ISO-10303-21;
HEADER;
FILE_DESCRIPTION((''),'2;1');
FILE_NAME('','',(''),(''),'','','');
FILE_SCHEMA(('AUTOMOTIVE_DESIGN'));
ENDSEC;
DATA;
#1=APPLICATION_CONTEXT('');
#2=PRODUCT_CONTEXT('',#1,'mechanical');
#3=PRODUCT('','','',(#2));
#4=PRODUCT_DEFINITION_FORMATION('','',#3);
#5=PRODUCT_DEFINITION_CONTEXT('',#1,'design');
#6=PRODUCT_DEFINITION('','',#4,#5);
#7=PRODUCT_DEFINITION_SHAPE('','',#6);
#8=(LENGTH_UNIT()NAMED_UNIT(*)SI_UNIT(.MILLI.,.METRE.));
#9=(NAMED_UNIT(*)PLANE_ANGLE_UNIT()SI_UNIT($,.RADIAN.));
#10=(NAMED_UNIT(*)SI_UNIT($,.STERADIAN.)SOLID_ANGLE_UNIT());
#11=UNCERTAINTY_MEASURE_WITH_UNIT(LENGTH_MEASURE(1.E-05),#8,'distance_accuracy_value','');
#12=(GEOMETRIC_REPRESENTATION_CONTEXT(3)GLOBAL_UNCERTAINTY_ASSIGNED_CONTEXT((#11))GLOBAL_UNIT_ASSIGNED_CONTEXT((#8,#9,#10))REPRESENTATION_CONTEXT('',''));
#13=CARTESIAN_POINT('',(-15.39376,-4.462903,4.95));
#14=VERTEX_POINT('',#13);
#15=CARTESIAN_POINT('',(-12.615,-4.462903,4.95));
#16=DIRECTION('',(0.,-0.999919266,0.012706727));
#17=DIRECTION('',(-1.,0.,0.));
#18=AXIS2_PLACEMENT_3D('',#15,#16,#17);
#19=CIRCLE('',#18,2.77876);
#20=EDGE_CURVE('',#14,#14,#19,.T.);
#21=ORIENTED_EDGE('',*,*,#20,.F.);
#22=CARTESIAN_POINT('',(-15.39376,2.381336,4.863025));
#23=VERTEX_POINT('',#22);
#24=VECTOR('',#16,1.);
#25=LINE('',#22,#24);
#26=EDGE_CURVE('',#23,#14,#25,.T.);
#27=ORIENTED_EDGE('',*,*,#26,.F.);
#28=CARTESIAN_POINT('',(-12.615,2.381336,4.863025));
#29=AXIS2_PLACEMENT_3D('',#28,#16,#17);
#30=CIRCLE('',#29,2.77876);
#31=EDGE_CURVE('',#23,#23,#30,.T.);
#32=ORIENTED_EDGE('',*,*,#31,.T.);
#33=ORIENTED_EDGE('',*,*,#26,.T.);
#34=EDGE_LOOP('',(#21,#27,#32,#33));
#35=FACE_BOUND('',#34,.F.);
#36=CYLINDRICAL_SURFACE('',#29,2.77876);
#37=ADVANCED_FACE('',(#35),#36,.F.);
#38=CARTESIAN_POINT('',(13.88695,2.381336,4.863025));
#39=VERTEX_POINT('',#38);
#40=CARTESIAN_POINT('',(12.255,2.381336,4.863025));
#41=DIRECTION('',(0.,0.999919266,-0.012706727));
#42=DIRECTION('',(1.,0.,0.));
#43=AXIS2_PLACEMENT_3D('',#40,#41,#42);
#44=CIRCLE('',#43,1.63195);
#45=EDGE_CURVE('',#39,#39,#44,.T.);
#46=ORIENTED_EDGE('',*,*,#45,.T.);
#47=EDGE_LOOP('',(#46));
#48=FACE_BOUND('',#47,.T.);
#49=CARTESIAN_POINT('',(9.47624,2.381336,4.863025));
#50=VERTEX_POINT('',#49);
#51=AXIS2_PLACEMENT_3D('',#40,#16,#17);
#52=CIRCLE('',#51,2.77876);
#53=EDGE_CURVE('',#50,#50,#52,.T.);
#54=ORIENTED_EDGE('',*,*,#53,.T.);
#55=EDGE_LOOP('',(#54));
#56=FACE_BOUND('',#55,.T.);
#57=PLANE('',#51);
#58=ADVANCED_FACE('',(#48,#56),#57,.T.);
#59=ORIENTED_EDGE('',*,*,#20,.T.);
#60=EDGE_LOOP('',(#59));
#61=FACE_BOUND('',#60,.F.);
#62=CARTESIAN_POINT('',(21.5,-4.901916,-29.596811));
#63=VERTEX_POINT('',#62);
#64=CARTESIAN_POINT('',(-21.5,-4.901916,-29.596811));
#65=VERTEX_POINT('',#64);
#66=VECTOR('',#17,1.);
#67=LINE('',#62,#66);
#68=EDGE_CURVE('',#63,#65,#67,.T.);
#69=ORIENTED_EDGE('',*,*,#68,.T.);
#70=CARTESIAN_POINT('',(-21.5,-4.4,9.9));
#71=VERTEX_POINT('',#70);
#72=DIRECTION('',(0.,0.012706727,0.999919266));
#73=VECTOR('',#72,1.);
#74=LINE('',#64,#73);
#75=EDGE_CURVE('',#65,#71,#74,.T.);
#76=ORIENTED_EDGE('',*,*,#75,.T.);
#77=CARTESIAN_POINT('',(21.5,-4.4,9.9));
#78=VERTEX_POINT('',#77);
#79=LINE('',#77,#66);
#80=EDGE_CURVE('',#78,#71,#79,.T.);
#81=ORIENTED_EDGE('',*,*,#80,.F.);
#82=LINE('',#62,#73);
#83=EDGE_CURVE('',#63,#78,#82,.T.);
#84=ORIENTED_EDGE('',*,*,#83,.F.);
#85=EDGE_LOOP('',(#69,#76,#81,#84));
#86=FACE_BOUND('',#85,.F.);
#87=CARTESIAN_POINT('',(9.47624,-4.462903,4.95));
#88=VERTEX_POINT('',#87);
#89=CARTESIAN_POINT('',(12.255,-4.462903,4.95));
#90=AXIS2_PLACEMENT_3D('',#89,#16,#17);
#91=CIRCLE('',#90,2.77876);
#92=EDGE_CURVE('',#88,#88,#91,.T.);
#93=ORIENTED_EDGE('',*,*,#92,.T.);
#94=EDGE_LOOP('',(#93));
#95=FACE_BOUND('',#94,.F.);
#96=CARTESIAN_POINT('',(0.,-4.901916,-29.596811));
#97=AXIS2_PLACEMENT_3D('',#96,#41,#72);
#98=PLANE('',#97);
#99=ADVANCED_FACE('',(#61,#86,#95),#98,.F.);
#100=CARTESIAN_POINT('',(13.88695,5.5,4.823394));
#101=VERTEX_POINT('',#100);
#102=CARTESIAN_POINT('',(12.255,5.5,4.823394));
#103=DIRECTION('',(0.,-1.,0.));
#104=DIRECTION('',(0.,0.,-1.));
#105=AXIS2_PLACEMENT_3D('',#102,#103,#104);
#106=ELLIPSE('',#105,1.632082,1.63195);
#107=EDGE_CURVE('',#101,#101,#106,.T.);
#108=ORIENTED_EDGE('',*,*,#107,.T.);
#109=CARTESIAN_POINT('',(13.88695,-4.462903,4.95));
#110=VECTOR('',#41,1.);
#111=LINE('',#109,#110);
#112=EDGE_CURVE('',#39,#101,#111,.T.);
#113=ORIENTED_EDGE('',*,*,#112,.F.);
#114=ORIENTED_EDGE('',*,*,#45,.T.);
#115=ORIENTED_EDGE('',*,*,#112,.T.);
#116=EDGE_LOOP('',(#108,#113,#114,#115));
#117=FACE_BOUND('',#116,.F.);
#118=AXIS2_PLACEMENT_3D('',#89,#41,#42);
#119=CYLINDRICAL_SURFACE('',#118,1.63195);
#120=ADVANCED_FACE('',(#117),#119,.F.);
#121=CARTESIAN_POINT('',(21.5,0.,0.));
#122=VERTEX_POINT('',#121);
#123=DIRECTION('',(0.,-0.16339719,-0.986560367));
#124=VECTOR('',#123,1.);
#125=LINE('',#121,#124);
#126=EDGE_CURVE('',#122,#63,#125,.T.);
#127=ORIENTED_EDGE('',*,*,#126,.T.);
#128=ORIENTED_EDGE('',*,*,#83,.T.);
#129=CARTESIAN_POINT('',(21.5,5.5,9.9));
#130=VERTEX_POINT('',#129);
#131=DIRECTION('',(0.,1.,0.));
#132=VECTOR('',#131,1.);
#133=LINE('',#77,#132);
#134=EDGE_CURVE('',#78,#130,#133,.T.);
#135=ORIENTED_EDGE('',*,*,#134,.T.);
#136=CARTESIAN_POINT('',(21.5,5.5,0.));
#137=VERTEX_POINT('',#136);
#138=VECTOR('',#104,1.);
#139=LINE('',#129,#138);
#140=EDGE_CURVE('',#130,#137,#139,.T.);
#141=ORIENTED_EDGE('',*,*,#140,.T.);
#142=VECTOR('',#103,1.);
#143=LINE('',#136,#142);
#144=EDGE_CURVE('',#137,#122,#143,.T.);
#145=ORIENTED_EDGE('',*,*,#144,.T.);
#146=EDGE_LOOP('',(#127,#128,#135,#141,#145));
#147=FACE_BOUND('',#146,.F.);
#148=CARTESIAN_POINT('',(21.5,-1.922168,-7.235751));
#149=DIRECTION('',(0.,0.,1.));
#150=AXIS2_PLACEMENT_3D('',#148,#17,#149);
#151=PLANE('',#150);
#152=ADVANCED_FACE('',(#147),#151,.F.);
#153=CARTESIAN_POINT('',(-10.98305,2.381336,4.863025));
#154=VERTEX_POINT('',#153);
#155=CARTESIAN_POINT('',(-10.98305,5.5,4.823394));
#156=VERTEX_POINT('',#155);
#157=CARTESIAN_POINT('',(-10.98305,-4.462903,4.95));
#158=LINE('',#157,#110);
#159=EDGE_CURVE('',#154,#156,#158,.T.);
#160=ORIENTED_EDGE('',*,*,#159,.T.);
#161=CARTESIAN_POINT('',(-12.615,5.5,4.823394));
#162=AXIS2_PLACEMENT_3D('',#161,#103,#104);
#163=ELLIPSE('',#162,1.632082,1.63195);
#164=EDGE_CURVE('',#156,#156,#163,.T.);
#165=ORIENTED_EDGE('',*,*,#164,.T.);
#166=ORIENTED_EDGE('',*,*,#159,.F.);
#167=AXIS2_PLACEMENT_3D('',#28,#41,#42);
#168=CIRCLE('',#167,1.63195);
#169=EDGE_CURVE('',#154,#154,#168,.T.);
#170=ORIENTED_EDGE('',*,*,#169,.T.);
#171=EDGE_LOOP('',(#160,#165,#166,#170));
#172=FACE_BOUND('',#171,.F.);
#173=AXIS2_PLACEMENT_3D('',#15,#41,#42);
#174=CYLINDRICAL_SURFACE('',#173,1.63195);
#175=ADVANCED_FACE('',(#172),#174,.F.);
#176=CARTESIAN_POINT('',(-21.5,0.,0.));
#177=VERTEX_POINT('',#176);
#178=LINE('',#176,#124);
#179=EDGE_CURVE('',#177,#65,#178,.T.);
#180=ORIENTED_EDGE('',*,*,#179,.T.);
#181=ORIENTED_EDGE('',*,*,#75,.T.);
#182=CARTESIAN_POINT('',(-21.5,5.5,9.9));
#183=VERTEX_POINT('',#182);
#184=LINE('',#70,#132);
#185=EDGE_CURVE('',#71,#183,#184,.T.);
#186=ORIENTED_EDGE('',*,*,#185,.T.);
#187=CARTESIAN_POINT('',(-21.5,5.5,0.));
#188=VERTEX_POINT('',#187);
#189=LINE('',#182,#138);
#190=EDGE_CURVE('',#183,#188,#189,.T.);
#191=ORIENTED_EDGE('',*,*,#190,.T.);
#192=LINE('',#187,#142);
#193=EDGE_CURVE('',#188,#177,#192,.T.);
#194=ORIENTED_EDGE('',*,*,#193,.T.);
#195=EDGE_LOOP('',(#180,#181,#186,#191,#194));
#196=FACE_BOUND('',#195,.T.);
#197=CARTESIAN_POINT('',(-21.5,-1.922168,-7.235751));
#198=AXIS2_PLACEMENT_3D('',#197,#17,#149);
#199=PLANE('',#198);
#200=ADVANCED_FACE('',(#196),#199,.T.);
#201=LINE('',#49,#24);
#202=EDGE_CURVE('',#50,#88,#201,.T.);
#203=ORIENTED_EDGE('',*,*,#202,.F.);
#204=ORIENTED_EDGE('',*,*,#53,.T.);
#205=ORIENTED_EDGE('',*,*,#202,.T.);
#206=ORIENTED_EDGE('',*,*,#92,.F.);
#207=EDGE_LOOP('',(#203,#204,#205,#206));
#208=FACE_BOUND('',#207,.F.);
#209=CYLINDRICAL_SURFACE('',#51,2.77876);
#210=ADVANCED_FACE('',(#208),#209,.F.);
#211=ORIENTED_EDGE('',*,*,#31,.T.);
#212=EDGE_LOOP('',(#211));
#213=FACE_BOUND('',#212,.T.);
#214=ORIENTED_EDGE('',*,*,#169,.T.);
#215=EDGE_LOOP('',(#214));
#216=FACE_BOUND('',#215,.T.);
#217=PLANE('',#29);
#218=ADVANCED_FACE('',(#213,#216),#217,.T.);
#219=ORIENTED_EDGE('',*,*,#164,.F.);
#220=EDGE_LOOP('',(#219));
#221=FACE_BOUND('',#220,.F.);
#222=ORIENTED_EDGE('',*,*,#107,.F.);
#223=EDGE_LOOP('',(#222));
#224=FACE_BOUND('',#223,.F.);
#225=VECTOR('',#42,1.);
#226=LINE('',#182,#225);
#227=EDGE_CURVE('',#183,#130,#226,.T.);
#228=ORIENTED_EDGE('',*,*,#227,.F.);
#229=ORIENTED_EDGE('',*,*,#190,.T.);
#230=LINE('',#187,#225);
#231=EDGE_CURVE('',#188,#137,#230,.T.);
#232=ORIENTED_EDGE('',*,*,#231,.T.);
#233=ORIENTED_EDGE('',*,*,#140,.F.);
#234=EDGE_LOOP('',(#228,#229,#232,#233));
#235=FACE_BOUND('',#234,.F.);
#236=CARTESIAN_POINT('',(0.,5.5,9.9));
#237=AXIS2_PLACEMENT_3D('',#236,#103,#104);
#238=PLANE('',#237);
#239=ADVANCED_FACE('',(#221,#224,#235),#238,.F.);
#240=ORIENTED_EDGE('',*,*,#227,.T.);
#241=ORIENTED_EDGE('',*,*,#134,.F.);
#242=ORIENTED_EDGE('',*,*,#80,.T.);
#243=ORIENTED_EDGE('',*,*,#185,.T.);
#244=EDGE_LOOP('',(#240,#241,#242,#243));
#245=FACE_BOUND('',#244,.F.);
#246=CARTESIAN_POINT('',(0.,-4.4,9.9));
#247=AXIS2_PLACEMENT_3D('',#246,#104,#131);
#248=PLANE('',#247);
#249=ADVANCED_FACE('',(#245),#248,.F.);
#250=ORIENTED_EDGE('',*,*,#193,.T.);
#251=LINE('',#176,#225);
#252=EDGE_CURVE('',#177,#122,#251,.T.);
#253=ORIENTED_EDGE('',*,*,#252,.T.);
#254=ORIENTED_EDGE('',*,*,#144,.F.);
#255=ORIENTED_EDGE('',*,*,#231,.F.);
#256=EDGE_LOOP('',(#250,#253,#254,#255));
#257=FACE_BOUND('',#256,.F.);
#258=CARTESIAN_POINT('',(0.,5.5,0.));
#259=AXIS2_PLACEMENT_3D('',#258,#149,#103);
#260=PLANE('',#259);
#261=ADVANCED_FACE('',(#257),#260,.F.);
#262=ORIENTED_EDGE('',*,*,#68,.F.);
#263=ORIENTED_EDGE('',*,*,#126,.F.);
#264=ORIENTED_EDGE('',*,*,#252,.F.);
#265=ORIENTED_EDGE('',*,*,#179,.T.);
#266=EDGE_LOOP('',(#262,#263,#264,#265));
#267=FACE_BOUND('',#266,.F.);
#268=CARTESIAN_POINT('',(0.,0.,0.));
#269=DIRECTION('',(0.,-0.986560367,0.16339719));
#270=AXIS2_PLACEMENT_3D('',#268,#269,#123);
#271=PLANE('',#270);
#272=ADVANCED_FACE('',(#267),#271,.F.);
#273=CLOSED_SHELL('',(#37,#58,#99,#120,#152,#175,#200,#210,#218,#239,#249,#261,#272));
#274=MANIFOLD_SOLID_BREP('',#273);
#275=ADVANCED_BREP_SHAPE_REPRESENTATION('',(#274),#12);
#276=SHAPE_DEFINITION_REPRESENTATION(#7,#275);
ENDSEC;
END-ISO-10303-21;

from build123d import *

# Parameters (mm, degrees)
BOSS_EXTRUDE1_DEPTH                            = 21.5
SKETCH4_R                                      = 0.685
CUT_EXTRUDE1_DEPTH                             = 11.401915701
CBORE_FOR_4_SOCKET_HEAD_CAP_SCREW1_D           = 3.2639
CBORE_FOR_4_SOCKET_HEAD_CAP_SCREW1_CBORE_D     = 5.55752
CBORE_FOR_4_SOCKET_HEAD_CAP_SCREW1_CBORE_DEPTH = 6.844792


with BuildPart() as part:
    # Sketch2 → Boss-Extrude1 (new body, symmetric)
    with BuildSketch(Plane(origin=(0, 0, 0), x_dir=(0, 0, -1), z_dir=(1, 0, 0))):
        Polygon((0, 0), (29.596811018, -4.901915701), (-9.9, -4.4), (-9.9, 5.5), (0, 5.5), align=None)
    extrude(amount=BOSS_EXTRUDE1_DEPTH, both=True)

    # Sketch4 → Cut-Extrude1 (cut, through all)
    with BuildSketch(Plane(origin=(0, 5.5, 0), x_dir=(1, 0, 0), z_dir=(0, 1, 0))):
        with Locations((-12.615, -4.95)):
            Circle(SKETCH4_R)
        with Locations((12.255, -4.95)):
            Circle(SKETCH4_R)
    extrude(amount=-CUT_EXTRUDE1_DEPTH, mode=Mode.SUBTRACT)

    # CBORE for #4 Socket Head Cap Screw1 (through all)
    with Locations(Plane(origin=(0, -4.525076009, 0.057503546), x_dir=(-1, 0, 0), z_dir=(0, -0.999919266, 0.012706727))):
        with Locations((12.615, -4.892891475), (-12.255, -4.892891475)):
            CounterBoreHole(CBORE_FOR_4_SOCKET_HEAD_CAP_SCREW1_D / 2, CBORE_FOR_4_SOCKET_HEAD_CAP_SCREW1_CBORE_D / 2, CBORE_FOR_4_SOCKET_HEAD_CAP_SCREW1_CBORE_DEPTH)


solid = part.part
